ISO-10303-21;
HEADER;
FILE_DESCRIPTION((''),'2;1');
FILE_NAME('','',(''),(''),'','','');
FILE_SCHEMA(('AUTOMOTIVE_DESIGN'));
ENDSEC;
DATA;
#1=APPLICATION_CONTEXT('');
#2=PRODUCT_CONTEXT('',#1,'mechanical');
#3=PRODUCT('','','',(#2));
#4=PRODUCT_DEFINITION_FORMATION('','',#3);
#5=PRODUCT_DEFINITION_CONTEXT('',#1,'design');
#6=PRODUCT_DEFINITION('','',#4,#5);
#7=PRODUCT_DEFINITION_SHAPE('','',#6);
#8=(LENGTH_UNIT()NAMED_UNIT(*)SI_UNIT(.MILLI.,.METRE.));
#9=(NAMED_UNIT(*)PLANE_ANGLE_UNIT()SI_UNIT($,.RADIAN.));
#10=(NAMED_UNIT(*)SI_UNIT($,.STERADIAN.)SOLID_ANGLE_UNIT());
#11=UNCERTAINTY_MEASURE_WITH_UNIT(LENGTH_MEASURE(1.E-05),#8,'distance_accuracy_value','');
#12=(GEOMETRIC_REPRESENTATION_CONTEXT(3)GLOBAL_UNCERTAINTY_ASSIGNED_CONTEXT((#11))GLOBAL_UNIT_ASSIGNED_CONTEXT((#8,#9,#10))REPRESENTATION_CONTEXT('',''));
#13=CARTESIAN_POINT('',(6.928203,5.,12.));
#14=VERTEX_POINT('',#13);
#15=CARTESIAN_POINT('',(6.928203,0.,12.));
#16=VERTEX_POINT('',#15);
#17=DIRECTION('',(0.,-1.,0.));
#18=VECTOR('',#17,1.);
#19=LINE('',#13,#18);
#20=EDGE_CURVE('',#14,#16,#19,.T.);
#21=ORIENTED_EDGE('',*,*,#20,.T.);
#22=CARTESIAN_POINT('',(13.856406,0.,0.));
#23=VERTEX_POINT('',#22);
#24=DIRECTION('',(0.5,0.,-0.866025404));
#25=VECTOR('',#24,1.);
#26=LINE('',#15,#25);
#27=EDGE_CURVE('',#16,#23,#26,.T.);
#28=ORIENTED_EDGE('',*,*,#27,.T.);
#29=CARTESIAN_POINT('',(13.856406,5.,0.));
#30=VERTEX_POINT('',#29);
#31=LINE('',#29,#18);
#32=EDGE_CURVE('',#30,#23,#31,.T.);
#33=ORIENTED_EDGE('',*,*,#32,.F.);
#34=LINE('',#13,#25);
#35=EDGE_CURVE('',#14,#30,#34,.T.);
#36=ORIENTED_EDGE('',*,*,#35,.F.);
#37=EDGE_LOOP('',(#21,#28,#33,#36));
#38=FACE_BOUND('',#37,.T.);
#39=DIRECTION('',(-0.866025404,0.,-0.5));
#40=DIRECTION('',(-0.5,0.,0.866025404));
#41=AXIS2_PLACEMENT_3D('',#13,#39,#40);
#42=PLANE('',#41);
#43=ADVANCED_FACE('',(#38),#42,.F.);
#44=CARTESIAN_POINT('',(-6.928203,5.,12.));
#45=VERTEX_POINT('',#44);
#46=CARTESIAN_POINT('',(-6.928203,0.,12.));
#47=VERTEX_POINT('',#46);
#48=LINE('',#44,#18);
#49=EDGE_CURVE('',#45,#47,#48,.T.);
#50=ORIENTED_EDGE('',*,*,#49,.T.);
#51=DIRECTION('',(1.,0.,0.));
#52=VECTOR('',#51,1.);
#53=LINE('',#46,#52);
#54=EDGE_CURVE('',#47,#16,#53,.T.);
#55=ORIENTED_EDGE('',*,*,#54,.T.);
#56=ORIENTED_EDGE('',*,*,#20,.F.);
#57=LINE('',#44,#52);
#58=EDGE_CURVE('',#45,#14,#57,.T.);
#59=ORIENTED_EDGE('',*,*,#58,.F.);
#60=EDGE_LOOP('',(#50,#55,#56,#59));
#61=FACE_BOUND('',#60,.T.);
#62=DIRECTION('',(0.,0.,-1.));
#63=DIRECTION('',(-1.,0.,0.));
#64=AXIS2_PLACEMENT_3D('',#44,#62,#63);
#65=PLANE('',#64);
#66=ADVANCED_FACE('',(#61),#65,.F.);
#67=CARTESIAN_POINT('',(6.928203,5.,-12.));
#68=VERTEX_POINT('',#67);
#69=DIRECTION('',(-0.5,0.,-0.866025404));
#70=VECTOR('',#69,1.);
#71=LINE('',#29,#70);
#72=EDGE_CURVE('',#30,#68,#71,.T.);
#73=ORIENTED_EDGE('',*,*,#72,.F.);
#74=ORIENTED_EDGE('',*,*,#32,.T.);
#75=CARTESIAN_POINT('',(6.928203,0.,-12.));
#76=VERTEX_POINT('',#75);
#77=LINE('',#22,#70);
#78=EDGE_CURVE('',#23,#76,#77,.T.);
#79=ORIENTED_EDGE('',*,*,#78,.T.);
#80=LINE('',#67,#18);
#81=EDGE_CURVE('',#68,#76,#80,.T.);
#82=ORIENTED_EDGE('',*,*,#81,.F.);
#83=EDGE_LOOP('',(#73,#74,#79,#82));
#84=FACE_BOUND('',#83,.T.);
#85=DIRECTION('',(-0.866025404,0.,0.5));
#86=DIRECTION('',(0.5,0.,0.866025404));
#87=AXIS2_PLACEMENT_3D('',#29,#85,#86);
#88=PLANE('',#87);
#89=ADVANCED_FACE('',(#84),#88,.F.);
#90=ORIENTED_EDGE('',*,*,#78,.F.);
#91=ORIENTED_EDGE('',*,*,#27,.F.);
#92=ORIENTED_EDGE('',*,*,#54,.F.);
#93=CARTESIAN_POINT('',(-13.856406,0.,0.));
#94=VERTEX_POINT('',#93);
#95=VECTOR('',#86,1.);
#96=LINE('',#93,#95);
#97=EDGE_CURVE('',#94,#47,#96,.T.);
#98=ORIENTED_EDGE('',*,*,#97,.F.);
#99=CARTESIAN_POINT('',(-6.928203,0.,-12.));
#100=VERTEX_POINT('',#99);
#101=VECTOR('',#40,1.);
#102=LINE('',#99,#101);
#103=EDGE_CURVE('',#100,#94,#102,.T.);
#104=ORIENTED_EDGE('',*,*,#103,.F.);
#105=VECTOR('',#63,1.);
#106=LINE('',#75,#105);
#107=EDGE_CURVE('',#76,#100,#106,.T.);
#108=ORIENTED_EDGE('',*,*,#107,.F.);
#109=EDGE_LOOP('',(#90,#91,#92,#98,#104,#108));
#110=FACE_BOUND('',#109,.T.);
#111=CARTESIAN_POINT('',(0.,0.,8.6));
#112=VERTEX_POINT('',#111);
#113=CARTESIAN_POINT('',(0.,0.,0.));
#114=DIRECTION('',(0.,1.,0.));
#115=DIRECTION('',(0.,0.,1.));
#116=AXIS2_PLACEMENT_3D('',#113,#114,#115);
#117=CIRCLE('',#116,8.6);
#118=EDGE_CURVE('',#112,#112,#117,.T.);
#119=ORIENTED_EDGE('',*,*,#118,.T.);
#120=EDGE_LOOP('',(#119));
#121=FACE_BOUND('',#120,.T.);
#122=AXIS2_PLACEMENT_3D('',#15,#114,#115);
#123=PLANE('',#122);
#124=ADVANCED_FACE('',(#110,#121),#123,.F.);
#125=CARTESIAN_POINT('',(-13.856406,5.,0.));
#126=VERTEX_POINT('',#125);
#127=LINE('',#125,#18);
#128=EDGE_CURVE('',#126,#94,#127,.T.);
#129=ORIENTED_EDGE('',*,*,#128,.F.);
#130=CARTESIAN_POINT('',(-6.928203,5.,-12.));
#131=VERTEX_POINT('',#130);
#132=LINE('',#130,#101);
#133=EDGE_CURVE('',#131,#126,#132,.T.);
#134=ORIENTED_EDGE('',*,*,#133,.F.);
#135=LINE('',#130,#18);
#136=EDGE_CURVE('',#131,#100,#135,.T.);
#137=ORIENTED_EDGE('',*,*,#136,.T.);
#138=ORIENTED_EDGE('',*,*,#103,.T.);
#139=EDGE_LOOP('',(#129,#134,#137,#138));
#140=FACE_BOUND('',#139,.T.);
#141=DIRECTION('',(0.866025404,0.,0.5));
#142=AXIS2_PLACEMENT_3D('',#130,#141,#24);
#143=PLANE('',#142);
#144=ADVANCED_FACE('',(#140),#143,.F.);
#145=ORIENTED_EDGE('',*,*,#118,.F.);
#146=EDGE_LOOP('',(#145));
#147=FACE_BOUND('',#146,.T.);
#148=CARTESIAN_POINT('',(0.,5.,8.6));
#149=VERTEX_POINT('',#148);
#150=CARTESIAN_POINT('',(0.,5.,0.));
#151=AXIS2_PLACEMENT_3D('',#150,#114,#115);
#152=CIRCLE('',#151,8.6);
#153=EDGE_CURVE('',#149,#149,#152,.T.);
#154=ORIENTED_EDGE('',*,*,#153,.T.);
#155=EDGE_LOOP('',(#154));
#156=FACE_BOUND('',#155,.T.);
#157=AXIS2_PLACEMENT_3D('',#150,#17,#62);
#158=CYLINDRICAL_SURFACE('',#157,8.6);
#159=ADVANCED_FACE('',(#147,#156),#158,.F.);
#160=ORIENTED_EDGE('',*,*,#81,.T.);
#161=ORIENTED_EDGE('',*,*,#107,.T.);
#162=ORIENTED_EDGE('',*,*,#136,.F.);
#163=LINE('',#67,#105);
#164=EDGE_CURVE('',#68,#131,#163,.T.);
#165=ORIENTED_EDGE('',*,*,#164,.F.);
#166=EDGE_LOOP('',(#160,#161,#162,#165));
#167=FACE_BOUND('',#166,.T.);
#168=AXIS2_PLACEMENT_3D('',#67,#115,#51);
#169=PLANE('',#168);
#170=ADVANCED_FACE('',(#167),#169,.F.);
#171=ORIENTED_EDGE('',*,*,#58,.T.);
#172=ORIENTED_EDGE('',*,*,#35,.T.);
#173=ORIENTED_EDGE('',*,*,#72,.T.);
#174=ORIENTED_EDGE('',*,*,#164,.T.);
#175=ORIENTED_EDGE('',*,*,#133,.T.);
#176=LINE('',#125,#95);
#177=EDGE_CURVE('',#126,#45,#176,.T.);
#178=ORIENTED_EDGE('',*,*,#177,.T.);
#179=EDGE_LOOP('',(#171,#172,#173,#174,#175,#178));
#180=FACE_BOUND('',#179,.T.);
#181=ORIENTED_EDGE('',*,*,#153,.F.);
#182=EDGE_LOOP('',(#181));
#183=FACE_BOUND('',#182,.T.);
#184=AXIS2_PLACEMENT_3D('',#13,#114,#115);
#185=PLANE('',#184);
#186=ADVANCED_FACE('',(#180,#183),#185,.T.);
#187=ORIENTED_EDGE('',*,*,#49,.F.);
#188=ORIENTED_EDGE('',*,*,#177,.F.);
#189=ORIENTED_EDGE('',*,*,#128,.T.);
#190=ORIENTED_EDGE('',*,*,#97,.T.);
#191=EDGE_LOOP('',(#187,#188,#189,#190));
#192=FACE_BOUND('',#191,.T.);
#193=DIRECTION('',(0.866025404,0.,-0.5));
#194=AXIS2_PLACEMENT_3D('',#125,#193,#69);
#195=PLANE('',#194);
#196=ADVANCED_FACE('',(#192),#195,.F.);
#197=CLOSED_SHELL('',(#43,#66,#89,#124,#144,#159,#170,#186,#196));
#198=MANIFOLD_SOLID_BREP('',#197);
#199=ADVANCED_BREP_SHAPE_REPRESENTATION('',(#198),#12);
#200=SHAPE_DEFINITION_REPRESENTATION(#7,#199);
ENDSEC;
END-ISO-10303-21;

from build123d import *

# Parameters (mm, degrees)
ESQUISSE1_R      = 8.6
EXTRUSION1_DEPTH = 5


with BuildPart() as part:
    # Esquisse1 → Extrusion1 (new body)
    with BuildSketch(Plane(origin=(0, 0, 0), x_dir=(1, 0, 0), z_dir=(0, 1, 0))):
        Polygon((6.92820323, -12), (13.856406461, 0), (6.92820323, 12), (-6.92820323, 12), (-13.856406461, 0), (-6.92820323, -12), align=None)
        with Locations(Location((0, 0, 0), (0, 0, 270))):
            Circle(ESQUISSE1_R, mode=Mode.SUBTRACT)
    extrude(amount=EXTRUSION1_DEPTH)


solid = part.part
